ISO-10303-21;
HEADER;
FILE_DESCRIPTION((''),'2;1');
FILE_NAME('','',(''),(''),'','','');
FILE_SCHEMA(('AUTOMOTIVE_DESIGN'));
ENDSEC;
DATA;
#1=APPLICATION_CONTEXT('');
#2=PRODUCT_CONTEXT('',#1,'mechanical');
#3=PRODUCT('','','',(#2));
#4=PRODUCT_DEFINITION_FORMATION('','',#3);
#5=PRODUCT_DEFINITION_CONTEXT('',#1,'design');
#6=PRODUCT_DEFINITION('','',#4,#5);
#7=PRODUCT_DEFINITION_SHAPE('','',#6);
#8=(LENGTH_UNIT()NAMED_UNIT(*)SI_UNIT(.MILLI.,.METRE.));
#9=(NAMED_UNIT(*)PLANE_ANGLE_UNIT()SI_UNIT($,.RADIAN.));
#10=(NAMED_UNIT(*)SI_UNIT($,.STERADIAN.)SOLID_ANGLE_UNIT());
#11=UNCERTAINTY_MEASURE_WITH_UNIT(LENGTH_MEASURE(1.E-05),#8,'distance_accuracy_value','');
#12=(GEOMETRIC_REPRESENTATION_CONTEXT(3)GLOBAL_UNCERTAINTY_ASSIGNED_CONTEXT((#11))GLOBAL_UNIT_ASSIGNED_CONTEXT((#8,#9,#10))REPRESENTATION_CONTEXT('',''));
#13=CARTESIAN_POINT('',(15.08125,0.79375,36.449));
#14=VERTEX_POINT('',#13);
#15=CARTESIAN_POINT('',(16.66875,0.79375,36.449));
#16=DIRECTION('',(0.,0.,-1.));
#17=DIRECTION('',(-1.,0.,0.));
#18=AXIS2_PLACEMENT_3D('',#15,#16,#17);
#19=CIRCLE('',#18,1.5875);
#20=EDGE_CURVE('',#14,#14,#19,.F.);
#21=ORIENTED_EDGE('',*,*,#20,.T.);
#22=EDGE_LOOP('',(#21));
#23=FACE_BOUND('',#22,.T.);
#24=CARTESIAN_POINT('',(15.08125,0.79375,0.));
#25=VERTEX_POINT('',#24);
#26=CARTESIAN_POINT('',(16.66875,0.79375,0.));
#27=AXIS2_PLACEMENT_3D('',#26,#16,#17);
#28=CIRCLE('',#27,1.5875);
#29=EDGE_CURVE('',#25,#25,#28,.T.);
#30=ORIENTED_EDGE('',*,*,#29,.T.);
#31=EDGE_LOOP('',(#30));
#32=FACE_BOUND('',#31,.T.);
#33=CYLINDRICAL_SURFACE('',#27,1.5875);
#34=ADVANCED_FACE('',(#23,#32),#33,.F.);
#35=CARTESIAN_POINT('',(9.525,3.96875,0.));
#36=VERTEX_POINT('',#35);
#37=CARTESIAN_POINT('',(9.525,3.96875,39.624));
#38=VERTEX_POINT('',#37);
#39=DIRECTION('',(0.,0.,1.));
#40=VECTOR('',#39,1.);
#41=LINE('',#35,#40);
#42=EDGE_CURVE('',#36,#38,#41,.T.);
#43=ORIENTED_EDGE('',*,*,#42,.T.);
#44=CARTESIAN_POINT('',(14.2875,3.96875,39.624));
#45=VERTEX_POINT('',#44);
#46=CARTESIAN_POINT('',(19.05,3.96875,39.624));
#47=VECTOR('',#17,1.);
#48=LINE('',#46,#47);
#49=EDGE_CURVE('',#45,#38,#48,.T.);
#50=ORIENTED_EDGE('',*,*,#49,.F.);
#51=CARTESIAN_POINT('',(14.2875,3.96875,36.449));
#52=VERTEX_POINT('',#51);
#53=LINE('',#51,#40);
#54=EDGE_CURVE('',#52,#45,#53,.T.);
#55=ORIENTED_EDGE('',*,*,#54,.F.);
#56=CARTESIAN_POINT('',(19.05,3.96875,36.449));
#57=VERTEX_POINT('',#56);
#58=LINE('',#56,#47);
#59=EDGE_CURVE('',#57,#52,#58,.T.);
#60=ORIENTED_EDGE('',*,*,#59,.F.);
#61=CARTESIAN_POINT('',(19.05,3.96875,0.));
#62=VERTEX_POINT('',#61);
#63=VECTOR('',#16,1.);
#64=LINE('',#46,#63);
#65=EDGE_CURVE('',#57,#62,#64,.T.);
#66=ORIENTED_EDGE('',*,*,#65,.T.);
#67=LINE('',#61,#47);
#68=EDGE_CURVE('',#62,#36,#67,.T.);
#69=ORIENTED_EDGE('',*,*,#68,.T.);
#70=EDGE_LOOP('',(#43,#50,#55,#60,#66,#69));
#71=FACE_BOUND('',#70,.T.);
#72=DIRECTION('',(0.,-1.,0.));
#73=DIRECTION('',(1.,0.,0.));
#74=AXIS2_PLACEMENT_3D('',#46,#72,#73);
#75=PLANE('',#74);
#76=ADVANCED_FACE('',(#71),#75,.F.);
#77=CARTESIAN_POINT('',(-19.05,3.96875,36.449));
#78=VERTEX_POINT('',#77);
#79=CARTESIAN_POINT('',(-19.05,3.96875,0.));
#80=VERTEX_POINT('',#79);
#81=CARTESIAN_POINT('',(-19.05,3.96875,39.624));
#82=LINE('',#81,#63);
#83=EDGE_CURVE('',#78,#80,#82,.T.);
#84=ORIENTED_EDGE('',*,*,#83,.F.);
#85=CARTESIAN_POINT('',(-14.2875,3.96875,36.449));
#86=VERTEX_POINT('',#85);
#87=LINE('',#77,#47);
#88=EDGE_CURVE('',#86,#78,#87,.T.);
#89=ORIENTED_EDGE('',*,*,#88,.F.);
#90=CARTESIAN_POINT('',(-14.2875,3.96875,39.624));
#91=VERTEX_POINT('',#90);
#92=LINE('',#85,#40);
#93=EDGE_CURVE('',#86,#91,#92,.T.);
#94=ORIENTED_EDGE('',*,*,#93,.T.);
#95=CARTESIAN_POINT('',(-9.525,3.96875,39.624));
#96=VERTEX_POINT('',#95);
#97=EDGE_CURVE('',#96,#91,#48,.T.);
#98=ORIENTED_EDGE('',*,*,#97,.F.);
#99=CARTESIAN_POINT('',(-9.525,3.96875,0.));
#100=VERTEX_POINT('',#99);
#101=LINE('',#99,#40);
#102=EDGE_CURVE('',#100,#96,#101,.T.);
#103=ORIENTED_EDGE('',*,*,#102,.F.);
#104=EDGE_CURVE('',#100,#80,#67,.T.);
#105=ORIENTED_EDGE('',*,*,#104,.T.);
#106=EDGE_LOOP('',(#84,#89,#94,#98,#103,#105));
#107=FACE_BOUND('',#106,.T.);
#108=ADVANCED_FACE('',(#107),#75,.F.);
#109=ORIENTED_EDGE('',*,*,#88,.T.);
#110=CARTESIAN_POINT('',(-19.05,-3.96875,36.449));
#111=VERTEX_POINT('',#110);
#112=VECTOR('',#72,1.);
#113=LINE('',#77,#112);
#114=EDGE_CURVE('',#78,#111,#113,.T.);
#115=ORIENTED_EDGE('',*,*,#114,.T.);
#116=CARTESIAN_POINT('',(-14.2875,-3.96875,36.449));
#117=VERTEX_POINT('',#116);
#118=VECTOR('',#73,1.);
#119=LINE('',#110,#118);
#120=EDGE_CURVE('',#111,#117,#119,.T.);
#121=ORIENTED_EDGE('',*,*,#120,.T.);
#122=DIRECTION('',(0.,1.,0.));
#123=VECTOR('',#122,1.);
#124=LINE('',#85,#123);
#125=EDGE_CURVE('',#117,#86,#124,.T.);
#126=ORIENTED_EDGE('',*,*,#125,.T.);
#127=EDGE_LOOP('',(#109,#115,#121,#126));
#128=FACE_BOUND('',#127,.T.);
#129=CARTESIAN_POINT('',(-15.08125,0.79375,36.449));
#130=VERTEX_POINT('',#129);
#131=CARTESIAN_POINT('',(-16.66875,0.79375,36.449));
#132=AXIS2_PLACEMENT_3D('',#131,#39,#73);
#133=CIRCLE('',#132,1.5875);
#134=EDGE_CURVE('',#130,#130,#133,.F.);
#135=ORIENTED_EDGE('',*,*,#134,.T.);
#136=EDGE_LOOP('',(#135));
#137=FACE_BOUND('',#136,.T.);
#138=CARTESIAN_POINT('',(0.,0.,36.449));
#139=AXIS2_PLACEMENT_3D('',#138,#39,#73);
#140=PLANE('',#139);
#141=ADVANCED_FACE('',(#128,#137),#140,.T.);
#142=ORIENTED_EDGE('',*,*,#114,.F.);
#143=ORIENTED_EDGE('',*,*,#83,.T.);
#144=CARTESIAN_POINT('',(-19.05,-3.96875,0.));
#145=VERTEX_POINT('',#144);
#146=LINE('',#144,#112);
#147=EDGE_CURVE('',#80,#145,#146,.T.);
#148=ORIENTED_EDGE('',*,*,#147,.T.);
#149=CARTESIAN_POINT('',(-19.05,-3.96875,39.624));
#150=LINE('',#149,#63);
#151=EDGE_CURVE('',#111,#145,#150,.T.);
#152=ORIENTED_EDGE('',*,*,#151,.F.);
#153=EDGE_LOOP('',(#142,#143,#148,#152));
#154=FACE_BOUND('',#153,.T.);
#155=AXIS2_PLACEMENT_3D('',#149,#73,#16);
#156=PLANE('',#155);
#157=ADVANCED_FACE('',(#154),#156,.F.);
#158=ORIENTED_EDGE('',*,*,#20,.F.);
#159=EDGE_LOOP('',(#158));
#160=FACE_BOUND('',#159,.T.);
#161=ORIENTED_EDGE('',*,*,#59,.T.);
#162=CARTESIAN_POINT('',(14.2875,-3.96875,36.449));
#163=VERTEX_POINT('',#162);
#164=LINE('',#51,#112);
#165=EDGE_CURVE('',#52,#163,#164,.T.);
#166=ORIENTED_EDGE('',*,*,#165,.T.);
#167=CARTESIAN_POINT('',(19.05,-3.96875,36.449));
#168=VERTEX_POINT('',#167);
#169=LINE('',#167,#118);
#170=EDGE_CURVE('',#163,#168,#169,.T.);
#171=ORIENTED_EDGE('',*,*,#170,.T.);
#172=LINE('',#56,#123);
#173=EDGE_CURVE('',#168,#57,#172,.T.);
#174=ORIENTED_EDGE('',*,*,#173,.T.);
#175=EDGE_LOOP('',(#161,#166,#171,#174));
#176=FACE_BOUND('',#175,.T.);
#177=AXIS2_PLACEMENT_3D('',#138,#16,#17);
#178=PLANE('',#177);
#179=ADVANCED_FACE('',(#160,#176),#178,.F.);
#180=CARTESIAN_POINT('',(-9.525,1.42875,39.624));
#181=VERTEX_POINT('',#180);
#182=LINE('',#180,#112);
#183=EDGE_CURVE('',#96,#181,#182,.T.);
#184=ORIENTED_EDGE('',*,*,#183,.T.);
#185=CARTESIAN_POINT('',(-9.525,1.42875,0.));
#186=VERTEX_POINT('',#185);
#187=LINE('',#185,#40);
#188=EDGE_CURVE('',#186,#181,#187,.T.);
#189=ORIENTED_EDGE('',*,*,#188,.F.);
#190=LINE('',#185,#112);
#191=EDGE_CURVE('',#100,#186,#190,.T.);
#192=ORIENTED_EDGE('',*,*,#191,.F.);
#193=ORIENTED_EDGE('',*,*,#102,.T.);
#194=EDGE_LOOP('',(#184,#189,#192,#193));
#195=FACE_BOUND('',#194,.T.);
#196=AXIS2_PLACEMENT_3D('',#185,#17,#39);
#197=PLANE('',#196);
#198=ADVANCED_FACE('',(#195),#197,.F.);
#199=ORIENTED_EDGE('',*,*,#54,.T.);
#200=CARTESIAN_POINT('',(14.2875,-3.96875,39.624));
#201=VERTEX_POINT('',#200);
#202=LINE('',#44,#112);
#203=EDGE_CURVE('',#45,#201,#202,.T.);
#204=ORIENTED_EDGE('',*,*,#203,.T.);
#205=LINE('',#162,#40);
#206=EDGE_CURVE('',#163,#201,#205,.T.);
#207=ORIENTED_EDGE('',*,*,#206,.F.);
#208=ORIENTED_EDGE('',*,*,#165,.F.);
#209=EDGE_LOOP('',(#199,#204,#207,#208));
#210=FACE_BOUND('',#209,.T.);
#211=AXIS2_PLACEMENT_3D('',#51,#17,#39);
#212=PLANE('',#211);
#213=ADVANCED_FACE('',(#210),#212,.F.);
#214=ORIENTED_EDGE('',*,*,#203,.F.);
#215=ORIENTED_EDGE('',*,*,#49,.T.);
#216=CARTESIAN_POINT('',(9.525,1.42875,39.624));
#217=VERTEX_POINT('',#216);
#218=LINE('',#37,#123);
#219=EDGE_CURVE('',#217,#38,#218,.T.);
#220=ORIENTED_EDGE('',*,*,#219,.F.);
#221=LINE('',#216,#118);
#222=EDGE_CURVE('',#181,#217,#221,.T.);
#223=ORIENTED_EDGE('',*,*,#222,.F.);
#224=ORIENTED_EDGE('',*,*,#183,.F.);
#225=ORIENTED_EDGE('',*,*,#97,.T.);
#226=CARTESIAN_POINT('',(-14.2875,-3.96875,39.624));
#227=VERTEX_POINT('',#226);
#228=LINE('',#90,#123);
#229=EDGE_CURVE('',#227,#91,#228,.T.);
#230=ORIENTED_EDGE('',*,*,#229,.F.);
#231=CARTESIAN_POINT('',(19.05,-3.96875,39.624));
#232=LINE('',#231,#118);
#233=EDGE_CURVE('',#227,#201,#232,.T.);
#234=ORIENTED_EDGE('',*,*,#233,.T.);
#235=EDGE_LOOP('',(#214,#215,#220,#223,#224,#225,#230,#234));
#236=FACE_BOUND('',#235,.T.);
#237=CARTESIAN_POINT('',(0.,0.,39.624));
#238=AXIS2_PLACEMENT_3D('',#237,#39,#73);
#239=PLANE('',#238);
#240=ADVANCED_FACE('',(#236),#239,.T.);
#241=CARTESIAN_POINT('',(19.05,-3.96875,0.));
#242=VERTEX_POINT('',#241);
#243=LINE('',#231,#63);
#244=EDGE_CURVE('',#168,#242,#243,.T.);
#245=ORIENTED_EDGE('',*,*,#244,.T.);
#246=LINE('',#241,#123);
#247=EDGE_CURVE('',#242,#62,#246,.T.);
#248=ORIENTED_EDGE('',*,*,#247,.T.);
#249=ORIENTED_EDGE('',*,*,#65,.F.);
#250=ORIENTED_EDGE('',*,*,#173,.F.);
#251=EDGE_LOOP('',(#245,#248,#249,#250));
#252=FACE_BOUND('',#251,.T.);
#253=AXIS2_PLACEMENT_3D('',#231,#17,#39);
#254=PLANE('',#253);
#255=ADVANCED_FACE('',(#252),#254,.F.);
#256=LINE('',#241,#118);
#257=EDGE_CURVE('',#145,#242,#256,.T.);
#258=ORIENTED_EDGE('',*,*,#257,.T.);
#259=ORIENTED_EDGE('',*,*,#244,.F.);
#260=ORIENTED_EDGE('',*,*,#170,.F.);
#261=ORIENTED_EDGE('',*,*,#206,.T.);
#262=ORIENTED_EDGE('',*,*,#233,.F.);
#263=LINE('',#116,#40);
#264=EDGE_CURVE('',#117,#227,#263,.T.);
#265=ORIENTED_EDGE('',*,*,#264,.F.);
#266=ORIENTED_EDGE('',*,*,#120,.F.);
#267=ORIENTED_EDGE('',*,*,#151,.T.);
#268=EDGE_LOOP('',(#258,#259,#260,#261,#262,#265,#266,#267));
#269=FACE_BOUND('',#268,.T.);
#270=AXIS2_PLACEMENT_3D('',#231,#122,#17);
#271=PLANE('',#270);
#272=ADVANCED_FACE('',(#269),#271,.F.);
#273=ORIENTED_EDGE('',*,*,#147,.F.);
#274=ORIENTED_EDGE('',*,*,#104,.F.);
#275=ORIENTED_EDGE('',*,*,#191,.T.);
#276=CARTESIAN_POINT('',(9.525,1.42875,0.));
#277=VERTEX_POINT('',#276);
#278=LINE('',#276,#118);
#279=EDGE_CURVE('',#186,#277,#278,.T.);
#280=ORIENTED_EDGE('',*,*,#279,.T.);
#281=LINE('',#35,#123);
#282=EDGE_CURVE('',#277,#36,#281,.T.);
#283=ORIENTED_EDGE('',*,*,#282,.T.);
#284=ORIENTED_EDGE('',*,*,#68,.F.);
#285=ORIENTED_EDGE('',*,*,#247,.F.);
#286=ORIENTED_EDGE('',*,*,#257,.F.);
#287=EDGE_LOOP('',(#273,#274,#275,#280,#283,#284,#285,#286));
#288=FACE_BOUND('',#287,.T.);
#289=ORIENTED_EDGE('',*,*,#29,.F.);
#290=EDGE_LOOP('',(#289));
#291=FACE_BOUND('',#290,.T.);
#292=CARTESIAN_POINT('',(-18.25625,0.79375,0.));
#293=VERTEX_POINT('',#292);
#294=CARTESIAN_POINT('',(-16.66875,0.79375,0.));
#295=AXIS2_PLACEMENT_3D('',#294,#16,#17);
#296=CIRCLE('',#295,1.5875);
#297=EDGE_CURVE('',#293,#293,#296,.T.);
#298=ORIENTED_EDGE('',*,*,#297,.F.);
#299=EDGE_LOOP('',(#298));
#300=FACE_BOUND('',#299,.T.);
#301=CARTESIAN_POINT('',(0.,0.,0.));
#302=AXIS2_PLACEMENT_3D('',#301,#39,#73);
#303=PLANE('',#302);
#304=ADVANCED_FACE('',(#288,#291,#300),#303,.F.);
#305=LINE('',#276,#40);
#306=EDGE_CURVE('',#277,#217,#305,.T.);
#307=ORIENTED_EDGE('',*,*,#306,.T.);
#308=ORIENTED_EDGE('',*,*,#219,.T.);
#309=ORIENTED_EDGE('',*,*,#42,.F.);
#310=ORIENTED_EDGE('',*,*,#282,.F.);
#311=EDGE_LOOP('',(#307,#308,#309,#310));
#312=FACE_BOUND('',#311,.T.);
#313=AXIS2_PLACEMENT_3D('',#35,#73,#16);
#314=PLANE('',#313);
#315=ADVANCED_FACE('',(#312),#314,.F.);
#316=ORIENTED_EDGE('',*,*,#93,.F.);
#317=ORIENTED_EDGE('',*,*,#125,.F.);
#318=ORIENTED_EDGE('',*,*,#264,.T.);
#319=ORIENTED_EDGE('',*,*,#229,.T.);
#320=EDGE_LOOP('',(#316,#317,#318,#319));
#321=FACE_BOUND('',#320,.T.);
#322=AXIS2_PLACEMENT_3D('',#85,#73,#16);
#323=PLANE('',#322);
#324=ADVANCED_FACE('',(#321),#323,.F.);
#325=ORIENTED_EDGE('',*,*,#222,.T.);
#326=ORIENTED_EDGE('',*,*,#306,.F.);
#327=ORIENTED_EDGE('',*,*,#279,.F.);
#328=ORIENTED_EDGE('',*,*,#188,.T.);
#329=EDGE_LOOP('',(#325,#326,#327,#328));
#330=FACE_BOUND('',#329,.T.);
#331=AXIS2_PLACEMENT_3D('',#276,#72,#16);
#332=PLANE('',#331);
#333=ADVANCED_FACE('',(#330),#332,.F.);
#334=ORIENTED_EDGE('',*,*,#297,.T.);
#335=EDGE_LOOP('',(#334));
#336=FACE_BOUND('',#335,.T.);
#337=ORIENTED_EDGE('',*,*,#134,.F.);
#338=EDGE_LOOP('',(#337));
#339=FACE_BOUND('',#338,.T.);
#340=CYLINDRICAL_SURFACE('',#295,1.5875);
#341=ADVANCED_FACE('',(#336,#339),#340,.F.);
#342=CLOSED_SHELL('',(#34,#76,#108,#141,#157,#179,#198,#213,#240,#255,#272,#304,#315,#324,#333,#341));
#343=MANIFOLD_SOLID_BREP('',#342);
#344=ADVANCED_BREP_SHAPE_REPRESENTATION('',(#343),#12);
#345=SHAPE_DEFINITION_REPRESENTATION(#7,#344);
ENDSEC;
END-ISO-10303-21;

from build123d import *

# Parameters (mm, degrees)
SKETCH1_W                           = 38.1
SKETCH1_H                           = 7.9375
BOSS_EXTRUDE1_DEPTH                 = 39.624
SKETCH2_W                           = 19.05
SKETCH2_H                           = 2.54
CUT_EXTRUDE1_DEPTH                  = 45.144250504
F_1_8_0_125_CLEARANCE_DOWEL_HOLE1_D = 3.175
SKETCH6_W                           = 4.7625
SKETCH6_H                           = 7.9375
CUT_EXTRUDE2_DEPTH                  = 3.175


with BuildPart() as part:
    # Sketch1 → Boss-Extrude1 (new body)
    with BuildSketch(Plane.XY):
        Rectangle(SKETCH1_W, SKETCH1_H)
    extrude(amount=BOSS_EXTRUDE1_DEPTH)

    # Sketch2 → Cut-Extrude1 (cut, through all)
    with BuildSketch(Plane.XY.offset(39.624)):
        with Locations((0, 2.69875)):
            Rectangle(SKETCH2_W, SKETCH2_H)
    extrude(amount=-CUT_EXTRUDE1_DEPTH, mode=Mode.SUBTRACT)

    # 1/8 (0.125) Clearance Dowel Hole1 (through all)
    with Locations(Plane(origin=(0, 0, 0), x_dir=(-1, 0, 0), z_dir=(0, 0, -1))):
        with Locations((-16.66875, 0.79375), (16.66875, 0.79375)):
            Hole(F_1_8_0_125_CLEARANCE_DOWEL_HOLE1_D / 2)

    # Sketch6 → Cut-Extrude2 (cut)
    with BuildSketch(Plane.XY.offset(39.624)):
        with Locations((-16.66875, 0)):
            Rectangle(SKETCH6_W, SKETCH6_H)
        with Locations((16.66875, 0)):
            Rectangle(SKETCH6_W, SKETCH6_H)
    extrude(amount=-CUT_EXTRUDE2_DEPTH, mode=Mode.SUBTRACT)


solid = part.part
